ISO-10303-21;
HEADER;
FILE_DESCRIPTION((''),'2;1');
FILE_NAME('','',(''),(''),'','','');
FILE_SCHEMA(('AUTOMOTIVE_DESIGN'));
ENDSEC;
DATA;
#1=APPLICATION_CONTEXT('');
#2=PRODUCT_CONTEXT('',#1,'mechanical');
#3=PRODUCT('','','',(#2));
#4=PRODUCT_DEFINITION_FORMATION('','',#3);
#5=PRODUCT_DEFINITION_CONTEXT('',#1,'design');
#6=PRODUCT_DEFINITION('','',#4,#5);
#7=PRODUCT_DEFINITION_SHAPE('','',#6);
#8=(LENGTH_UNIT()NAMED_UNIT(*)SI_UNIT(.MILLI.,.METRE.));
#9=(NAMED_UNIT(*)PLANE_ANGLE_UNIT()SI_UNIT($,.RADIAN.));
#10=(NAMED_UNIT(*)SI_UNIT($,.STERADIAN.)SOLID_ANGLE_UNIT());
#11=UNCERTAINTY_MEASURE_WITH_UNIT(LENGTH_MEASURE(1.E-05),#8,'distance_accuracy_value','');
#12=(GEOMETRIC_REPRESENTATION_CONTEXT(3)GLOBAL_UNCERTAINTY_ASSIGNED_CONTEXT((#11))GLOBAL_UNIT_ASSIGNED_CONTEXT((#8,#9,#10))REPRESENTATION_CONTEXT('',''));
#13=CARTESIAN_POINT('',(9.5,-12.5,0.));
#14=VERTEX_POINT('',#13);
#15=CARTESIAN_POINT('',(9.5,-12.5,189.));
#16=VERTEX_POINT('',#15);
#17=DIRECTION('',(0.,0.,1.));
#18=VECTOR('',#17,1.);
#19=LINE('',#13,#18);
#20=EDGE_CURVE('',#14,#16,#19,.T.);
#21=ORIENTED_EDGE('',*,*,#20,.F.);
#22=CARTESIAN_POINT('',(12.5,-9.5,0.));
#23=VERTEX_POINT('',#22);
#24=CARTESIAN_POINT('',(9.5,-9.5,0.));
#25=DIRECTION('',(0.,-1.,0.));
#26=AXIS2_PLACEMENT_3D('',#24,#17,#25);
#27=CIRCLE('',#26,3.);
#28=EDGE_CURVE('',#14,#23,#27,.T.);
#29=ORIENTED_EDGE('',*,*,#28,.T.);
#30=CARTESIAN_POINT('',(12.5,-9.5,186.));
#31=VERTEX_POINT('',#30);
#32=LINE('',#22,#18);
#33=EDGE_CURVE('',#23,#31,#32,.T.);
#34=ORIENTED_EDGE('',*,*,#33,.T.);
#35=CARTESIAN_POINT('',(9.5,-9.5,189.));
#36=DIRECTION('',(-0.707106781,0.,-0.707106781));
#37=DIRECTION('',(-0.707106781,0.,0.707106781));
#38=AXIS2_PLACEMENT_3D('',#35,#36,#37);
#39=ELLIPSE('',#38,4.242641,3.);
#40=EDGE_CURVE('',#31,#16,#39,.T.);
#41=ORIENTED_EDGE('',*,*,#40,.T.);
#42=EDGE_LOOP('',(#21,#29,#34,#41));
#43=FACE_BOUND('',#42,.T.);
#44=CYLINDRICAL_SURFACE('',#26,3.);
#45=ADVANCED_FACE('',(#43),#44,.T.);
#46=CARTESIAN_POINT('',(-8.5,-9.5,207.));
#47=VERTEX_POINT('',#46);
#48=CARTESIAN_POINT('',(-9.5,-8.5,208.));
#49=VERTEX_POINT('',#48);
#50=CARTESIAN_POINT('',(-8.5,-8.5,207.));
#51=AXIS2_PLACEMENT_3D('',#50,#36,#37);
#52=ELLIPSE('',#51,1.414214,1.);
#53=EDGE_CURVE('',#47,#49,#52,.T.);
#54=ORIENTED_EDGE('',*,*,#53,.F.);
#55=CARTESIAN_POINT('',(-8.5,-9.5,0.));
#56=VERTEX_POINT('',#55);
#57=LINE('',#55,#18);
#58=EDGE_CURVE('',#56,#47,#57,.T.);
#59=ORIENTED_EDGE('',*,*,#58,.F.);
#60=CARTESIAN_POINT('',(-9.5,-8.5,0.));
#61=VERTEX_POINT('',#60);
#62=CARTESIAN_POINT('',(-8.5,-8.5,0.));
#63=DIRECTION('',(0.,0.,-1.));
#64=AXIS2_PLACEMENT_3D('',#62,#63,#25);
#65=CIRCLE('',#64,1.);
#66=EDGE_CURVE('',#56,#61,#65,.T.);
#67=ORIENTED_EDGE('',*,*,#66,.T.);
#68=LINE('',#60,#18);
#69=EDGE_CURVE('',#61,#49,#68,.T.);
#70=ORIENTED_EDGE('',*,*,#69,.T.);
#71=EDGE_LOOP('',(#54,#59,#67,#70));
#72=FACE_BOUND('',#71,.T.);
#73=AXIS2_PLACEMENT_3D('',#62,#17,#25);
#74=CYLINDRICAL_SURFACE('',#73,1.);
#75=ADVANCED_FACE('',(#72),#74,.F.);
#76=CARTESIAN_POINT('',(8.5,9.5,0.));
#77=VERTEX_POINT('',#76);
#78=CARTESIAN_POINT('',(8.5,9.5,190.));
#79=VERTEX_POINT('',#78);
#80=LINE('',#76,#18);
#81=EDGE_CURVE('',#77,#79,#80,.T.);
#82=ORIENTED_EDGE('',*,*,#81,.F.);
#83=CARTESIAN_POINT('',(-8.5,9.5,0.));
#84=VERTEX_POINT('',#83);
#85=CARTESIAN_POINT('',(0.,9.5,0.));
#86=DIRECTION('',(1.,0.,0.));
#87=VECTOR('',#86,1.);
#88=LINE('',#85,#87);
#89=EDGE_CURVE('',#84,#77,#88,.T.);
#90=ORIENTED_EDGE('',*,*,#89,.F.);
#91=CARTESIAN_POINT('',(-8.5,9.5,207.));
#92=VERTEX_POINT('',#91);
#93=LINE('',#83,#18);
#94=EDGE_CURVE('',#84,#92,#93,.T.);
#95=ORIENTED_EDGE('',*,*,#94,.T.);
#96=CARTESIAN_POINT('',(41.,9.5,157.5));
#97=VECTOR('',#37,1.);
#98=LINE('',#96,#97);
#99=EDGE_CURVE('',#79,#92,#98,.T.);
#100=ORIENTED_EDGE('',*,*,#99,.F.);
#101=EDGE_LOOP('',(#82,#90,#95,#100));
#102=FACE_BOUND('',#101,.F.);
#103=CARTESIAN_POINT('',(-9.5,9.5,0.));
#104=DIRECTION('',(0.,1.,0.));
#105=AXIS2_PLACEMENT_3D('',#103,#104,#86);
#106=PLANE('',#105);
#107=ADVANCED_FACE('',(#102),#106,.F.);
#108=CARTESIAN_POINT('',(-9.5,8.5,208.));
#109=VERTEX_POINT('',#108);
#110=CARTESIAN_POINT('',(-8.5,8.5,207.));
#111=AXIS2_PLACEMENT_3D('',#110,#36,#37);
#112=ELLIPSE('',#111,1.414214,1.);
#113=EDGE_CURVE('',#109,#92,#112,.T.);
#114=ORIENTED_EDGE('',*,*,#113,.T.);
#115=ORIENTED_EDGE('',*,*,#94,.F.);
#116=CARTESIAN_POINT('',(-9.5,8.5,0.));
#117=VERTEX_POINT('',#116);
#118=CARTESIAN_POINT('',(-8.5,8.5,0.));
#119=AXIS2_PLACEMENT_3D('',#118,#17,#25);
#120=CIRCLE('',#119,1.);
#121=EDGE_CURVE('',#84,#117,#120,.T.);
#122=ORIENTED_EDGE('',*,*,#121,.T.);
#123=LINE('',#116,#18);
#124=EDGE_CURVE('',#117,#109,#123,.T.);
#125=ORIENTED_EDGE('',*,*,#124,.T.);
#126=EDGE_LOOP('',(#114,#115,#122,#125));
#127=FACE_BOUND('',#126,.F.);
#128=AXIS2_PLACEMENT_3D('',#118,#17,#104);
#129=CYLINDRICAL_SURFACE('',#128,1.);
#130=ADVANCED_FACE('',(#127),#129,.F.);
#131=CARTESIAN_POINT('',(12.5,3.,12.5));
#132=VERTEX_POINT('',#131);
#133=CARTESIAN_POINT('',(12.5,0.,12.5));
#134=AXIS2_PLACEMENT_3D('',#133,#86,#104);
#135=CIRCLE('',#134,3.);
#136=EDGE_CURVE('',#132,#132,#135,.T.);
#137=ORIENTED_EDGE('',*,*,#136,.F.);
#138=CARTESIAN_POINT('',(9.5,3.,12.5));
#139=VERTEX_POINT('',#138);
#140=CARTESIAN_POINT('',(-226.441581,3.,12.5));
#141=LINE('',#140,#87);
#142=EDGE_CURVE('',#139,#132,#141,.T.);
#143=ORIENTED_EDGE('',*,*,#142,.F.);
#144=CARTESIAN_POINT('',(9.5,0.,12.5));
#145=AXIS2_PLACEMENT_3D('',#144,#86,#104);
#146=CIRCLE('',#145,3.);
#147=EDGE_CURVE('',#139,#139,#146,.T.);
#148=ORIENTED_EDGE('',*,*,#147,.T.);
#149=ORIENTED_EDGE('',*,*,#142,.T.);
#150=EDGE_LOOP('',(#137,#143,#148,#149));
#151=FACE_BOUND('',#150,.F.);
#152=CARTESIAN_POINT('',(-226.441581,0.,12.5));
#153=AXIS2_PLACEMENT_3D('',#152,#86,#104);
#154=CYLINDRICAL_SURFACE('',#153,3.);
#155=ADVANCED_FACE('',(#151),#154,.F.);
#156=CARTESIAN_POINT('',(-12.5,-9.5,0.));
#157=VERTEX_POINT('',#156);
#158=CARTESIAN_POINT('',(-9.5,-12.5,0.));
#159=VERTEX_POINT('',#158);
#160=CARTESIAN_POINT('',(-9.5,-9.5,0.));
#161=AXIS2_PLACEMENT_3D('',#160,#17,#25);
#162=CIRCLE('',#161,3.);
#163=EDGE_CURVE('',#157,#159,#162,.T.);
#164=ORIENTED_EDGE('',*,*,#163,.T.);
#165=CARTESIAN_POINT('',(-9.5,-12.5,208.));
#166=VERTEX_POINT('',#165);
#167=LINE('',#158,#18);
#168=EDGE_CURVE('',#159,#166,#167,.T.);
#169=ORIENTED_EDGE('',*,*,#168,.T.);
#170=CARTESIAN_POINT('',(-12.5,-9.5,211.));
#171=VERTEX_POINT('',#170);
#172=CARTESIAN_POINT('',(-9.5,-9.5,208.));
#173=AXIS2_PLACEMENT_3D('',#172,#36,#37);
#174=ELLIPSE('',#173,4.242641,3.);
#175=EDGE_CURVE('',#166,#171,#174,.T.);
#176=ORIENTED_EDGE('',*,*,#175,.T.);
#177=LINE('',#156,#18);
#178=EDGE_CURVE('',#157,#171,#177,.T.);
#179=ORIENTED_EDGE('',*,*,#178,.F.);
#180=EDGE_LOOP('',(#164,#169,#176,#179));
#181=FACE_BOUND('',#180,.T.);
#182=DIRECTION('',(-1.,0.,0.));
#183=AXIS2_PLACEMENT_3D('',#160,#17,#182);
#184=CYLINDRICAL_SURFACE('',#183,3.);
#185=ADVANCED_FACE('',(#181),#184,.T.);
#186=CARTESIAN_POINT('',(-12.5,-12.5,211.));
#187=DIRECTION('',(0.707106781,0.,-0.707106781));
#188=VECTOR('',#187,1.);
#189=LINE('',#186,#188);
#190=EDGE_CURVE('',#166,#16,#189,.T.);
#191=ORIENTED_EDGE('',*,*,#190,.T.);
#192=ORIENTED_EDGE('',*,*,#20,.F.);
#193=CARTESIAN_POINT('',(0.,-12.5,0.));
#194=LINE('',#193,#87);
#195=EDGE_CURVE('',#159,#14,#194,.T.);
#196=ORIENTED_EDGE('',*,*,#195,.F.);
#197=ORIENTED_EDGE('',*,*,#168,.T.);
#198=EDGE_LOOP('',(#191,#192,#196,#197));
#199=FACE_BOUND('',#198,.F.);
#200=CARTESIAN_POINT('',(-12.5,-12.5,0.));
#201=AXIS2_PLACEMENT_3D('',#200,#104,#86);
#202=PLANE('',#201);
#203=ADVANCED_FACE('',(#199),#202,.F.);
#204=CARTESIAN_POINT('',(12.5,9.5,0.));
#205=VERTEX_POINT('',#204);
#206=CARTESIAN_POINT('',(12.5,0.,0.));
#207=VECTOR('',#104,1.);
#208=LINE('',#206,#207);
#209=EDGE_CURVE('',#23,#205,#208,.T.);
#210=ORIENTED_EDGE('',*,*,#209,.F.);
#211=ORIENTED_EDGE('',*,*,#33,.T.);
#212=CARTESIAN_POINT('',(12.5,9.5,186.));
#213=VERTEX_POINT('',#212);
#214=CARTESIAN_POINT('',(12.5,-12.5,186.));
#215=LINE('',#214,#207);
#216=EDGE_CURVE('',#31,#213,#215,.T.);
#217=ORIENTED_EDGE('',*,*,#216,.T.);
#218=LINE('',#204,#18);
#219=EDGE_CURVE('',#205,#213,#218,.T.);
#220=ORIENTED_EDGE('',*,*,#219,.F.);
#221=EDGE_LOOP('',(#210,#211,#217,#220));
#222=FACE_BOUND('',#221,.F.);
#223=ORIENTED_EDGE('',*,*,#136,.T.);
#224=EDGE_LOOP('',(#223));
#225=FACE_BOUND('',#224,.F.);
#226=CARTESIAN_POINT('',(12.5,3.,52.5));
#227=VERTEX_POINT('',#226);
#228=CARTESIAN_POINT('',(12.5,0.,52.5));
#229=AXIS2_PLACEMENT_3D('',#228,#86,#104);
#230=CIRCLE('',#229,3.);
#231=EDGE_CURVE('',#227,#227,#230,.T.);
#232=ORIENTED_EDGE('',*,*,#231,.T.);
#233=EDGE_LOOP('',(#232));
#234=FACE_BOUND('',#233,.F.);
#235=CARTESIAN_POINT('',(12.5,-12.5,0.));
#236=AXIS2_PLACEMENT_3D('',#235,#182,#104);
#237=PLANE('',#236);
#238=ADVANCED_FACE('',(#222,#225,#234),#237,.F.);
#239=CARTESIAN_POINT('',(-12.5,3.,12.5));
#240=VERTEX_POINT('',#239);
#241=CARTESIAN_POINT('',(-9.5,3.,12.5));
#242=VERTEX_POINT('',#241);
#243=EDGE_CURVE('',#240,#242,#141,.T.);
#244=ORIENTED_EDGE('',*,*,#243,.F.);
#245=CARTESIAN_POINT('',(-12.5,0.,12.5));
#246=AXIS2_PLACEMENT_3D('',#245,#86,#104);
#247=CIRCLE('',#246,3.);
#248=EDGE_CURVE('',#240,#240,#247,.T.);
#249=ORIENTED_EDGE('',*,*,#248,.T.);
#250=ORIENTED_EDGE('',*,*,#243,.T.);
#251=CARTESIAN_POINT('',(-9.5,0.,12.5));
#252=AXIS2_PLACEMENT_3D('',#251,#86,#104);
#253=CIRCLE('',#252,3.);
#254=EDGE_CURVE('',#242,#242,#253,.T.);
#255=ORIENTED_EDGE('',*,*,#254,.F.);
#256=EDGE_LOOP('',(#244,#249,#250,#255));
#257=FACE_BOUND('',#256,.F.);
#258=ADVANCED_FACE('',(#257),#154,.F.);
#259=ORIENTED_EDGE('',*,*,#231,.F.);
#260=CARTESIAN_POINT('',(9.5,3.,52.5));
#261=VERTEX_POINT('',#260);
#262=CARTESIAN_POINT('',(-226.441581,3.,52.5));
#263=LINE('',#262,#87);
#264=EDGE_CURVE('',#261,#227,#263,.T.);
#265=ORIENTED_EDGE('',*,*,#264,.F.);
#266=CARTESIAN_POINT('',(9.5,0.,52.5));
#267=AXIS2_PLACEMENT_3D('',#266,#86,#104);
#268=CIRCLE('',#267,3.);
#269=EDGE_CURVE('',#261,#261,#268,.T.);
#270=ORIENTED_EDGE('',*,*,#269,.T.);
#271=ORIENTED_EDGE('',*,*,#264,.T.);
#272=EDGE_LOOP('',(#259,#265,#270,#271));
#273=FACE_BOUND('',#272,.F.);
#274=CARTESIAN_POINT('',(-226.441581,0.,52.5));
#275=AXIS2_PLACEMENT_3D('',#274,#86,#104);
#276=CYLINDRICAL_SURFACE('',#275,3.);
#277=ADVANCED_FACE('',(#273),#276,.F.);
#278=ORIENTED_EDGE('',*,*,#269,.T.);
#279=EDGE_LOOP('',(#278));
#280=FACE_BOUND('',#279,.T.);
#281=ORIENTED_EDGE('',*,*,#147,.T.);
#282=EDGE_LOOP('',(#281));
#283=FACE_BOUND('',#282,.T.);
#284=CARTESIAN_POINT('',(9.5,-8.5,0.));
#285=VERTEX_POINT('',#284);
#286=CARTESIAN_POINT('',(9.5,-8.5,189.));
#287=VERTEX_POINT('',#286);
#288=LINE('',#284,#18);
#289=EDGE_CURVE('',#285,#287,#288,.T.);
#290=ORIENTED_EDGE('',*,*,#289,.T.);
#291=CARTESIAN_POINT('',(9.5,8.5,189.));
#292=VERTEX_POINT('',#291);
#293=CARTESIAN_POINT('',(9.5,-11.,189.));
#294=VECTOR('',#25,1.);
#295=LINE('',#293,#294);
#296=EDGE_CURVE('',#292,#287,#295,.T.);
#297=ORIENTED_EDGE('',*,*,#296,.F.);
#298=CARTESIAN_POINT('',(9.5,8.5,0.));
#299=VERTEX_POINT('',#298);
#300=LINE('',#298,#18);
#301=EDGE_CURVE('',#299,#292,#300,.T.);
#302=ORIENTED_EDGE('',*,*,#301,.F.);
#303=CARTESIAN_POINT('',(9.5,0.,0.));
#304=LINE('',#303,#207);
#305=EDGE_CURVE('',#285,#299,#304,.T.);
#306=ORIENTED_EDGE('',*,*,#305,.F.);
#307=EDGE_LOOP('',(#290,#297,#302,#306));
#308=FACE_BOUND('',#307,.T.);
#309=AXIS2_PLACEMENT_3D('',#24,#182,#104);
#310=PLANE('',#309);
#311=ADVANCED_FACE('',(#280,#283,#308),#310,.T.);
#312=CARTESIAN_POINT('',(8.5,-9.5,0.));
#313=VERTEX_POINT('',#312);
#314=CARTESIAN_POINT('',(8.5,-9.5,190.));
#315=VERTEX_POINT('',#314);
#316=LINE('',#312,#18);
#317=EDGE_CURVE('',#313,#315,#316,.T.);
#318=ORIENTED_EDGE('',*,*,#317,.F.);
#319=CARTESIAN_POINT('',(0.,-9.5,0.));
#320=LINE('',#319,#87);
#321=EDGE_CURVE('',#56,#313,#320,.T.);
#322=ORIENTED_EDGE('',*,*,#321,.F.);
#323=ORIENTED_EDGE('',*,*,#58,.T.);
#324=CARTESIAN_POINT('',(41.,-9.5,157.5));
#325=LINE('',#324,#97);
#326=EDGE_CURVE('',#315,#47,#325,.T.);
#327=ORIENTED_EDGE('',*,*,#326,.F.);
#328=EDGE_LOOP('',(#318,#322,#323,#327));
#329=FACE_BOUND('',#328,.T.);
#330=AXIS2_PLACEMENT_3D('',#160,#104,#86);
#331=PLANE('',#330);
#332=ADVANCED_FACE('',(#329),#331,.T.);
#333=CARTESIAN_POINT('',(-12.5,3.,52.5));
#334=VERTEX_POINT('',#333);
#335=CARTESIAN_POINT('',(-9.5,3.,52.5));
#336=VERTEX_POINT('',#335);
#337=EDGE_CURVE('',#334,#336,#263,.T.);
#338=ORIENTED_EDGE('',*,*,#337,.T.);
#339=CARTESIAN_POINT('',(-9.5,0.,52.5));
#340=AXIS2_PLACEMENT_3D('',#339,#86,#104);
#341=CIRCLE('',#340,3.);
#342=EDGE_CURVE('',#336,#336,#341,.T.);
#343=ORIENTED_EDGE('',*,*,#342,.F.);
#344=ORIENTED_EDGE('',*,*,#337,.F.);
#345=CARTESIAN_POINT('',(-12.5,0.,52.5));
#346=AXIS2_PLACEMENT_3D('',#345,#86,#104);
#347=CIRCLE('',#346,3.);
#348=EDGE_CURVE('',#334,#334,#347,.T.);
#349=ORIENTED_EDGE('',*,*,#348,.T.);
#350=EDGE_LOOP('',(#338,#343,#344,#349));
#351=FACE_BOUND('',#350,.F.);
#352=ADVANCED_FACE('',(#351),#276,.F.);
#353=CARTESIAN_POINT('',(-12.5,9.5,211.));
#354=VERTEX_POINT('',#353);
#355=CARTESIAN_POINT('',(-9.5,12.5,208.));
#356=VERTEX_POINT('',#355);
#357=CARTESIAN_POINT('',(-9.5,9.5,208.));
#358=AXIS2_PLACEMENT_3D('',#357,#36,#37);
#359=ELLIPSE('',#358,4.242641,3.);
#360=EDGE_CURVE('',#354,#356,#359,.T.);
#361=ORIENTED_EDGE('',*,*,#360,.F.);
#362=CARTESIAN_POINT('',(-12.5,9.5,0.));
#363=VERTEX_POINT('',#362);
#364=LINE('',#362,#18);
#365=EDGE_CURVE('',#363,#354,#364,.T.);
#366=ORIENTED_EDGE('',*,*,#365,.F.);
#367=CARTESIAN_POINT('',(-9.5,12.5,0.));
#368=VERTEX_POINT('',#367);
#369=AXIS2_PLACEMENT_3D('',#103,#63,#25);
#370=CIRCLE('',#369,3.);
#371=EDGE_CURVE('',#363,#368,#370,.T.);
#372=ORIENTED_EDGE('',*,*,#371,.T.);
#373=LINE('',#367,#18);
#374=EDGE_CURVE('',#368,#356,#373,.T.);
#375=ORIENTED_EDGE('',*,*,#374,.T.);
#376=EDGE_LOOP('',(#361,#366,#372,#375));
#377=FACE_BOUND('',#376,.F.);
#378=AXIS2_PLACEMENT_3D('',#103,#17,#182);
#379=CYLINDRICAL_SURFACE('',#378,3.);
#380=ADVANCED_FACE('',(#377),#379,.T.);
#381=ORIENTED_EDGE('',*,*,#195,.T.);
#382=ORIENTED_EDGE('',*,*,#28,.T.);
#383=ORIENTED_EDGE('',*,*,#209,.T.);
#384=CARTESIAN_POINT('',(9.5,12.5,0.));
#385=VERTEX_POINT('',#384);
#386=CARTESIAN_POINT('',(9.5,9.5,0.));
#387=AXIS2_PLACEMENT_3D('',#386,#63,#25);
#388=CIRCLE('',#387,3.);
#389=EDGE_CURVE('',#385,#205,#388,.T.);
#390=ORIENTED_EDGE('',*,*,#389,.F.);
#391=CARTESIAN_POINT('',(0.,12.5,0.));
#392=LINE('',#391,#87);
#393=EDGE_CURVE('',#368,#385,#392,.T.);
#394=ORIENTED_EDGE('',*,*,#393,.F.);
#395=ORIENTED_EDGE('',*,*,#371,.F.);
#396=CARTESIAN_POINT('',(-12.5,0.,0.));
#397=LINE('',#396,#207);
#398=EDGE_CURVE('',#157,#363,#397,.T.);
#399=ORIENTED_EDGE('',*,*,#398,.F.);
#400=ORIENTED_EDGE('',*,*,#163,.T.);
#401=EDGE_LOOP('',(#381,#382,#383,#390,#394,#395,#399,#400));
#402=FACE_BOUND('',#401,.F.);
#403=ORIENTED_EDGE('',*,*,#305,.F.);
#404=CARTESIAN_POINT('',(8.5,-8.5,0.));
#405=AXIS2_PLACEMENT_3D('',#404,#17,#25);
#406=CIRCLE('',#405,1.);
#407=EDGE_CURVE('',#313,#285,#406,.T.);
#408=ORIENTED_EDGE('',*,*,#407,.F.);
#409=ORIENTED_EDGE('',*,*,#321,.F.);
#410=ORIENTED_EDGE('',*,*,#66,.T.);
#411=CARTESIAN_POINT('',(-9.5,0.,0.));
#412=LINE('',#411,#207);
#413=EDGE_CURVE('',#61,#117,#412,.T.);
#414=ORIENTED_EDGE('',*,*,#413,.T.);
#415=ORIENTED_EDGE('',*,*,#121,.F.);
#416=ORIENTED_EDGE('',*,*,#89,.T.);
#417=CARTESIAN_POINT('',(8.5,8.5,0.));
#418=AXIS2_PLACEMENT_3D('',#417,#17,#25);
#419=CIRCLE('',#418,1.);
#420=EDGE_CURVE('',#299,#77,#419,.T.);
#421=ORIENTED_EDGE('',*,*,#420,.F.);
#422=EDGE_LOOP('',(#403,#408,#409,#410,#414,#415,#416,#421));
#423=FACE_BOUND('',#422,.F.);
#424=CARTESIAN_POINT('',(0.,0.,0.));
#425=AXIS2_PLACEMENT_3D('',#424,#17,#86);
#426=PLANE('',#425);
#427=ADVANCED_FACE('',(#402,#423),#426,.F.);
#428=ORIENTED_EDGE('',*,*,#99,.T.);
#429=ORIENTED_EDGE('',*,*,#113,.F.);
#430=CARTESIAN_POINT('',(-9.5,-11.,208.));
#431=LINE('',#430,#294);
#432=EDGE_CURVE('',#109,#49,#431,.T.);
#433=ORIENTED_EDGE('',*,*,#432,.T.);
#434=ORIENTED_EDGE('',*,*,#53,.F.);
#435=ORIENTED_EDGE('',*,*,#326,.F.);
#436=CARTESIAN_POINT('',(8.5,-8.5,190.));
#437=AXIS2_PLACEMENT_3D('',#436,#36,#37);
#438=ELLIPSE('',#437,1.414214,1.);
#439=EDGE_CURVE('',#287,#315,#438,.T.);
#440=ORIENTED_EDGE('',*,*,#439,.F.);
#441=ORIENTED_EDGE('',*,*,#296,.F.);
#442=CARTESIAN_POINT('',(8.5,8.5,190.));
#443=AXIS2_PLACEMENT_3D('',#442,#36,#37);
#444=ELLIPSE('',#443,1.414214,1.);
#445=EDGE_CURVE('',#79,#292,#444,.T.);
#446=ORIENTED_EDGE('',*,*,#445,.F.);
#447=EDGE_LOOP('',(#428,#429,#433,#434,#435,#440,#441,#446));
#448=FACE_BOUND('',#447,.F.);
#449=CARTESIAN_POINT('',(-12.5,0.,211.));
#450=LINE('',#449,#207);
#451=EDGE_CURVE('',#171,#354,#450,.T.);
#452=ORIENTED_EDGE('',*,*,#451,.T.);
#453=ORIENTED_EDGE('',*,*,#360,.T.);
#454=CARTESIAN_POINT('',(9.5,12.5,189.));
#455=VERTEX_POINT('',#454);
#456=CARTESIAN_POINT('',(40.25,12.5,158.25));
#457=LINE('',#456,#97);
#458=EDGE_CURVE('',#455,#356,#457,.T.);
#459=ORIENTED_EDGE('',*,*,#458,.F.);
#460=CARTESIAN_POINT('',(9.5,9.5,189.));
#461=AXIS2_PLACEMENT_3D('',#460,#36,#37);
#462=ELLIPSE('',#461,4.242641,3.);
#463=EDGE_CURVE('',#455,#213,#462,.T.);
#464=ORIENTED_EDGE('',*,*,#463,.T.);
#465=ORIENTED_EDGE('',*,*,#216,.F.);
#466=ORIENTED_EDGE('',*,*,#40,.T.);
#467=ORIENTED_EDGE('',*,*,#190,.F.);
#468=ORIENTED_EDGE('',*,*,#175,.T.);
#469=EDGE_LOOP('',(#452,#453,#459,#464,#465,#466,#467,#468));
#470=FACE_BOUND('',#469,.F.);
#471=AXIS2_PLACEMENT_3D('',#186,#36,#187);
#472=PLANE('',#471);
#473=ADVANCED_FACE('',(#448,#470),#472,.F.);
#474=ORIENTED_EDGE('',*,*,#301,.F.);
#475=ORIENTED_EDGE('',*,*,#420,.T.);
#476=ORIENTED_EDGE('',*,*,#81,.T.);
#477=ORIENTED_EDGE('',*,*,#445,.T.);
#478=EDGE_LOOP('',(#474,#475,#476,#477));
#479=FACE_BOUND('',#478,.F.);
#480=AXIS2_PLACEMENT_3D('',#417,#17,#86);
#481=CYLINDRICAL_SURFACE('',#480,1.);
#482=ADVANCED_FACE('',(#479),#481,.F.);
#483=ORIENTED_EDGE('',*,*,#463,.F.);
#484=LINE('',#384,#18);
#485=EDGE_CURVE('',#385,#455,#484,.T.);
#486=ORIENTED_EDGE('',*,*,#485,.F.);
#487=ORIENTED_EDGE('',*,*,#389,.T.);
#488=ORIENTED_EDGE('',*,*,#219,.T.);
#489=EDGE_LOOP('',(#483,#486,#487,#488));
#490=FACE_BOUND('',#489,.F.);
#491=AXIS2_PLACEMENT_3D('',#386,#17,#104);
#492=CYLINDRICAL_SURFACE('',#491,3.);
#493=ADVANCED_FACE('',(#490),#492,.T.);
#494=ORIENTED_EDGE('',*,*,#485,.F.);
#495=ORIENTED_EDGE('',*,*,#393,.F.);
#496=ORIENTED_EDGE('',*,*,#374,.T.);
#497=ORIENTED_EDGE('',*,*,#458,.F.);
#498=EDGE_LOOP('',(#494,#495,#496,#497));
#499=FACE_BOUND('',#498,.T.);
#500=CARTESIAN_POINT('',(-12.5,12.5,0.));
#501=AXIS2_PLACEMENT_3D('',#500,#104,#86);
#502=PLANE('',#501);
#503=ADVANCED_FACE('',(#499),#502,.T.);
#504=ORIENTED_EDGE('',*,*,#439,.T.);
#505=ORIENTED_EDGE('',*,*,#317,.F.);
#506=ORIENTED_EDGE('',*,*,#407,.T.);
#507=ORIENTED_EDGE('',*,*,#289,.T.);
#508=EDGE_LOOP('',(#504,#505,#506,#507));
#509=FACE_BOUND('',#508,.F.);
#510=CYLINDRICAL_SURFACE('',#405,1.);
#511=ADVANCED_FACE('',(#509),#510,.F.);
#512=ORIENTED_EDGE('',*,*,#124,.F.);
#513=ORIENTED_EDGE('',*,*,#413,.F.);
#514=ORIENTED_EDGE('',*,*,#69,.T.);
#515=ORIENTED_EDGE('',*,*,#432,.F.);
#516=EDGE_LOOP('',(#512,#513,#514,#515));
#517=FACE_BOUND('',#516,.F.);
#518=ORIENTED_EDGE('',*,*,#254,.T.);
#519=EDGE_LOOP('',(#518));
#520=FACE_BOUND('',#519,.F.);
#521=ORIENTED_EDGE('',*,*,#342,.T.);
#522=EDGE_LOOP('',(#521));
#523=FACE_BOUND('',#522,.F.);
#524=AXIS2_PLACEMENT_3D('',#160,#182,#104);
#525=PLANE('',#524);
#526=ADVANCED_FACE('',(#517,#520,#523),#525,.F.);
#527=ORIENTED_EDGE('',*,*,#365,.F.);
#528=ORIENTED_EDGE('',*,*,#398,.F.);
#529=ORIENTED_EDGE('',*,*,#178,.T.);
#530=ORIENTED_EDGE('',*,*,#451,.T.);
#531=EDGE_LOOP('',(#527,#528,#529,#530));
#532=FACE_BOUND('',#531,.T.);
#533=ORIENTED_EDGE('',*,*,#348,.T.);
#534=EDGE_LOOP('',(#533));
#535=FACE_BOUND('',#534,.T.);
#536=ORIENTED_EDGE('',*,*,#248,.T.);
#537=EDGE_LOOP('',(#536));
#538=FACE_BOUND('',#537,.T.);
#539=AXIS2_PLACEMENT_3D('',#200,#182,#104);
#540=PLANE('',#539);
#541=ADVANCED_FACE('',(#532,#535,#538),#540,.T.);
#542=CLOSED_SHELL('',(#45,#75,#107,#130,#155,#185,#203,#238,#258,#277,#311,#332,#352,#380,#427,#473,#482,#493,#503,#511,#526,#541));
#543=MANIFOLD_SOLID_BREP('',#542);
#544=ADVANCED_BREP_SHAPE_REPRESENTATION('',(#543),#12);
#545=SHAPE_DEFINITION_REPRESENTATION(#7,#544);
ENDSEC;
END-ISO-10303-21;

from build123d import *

# Parameters (mm, degrees)
F0_W     = 25
F0_H     = 25
F0_W_2   = 19
F0_H_2   = 19
F1_DEPTH = 211
F2_R     = 1
F3_R     = 3
F5_DEPTH = 25.001
F7_D     = 6


with BuildPart() as f1:
    # F0 (on Top) → F1 (new body)
    with BuildSketch(Plane.XY):
        Rectangle(F0_W, F0_H)
        Rectangle(F0_W_2, F0_H_2, mode=Mode.SUBTRACT)
    extrude(amount=F1_DEPTH)

    # F2
    f2_edges = [f1.edges().sort_by_distance(p)[0] for p in [
        (-9.5, -9.5, 105.5),
        (-9.5, 9.5, 105.5),
        (9.5, 9.5, 105.5),
        (9.5, -9.5, 105.5),
    ]]
    fillet(f2_edges, radius=F2_R)

    # F3
    f3_edges = [f1.edges().sort_by_distance(p)[0] for p in [
        (-12.5, 12.5, 105.5),
        (-12.5, -12.5, 105.5),
        (12.5, 12.5, 105.5),
        (12.5, -12.5, 105.5),
    ]]
    fillet(f3_edges, radius=F3_R)

    # F4 (on face) → F5 (cut, through all)
    with BuildSketch(Plane.XZ.offset(12.5)):
        Polygon((-9.5, 211), (-9.5, 208), (9.5, 189), (9.5, 211), align=None)
        Polygon((-9.5, 211), (-12.5, 211), (-9.5, 208), align=None)
        Polygon((9.5, 211), (9.5, 189), (12.5, 186), (12.5, 211), align=None)
    extrude(amount=-F5_DEPTH, mode=Mode.SUBTRACT)

    # F7 (through all)
    with Locations(Plane(origin=(-12.5, 0, 0), x_dir=(0, -1, 0), z_dir=(-1, 0, 0))):
        with Locations((0, 12.5), (0, 52.5)):
            Hole(F7_D / 2)


solid = f1.part
